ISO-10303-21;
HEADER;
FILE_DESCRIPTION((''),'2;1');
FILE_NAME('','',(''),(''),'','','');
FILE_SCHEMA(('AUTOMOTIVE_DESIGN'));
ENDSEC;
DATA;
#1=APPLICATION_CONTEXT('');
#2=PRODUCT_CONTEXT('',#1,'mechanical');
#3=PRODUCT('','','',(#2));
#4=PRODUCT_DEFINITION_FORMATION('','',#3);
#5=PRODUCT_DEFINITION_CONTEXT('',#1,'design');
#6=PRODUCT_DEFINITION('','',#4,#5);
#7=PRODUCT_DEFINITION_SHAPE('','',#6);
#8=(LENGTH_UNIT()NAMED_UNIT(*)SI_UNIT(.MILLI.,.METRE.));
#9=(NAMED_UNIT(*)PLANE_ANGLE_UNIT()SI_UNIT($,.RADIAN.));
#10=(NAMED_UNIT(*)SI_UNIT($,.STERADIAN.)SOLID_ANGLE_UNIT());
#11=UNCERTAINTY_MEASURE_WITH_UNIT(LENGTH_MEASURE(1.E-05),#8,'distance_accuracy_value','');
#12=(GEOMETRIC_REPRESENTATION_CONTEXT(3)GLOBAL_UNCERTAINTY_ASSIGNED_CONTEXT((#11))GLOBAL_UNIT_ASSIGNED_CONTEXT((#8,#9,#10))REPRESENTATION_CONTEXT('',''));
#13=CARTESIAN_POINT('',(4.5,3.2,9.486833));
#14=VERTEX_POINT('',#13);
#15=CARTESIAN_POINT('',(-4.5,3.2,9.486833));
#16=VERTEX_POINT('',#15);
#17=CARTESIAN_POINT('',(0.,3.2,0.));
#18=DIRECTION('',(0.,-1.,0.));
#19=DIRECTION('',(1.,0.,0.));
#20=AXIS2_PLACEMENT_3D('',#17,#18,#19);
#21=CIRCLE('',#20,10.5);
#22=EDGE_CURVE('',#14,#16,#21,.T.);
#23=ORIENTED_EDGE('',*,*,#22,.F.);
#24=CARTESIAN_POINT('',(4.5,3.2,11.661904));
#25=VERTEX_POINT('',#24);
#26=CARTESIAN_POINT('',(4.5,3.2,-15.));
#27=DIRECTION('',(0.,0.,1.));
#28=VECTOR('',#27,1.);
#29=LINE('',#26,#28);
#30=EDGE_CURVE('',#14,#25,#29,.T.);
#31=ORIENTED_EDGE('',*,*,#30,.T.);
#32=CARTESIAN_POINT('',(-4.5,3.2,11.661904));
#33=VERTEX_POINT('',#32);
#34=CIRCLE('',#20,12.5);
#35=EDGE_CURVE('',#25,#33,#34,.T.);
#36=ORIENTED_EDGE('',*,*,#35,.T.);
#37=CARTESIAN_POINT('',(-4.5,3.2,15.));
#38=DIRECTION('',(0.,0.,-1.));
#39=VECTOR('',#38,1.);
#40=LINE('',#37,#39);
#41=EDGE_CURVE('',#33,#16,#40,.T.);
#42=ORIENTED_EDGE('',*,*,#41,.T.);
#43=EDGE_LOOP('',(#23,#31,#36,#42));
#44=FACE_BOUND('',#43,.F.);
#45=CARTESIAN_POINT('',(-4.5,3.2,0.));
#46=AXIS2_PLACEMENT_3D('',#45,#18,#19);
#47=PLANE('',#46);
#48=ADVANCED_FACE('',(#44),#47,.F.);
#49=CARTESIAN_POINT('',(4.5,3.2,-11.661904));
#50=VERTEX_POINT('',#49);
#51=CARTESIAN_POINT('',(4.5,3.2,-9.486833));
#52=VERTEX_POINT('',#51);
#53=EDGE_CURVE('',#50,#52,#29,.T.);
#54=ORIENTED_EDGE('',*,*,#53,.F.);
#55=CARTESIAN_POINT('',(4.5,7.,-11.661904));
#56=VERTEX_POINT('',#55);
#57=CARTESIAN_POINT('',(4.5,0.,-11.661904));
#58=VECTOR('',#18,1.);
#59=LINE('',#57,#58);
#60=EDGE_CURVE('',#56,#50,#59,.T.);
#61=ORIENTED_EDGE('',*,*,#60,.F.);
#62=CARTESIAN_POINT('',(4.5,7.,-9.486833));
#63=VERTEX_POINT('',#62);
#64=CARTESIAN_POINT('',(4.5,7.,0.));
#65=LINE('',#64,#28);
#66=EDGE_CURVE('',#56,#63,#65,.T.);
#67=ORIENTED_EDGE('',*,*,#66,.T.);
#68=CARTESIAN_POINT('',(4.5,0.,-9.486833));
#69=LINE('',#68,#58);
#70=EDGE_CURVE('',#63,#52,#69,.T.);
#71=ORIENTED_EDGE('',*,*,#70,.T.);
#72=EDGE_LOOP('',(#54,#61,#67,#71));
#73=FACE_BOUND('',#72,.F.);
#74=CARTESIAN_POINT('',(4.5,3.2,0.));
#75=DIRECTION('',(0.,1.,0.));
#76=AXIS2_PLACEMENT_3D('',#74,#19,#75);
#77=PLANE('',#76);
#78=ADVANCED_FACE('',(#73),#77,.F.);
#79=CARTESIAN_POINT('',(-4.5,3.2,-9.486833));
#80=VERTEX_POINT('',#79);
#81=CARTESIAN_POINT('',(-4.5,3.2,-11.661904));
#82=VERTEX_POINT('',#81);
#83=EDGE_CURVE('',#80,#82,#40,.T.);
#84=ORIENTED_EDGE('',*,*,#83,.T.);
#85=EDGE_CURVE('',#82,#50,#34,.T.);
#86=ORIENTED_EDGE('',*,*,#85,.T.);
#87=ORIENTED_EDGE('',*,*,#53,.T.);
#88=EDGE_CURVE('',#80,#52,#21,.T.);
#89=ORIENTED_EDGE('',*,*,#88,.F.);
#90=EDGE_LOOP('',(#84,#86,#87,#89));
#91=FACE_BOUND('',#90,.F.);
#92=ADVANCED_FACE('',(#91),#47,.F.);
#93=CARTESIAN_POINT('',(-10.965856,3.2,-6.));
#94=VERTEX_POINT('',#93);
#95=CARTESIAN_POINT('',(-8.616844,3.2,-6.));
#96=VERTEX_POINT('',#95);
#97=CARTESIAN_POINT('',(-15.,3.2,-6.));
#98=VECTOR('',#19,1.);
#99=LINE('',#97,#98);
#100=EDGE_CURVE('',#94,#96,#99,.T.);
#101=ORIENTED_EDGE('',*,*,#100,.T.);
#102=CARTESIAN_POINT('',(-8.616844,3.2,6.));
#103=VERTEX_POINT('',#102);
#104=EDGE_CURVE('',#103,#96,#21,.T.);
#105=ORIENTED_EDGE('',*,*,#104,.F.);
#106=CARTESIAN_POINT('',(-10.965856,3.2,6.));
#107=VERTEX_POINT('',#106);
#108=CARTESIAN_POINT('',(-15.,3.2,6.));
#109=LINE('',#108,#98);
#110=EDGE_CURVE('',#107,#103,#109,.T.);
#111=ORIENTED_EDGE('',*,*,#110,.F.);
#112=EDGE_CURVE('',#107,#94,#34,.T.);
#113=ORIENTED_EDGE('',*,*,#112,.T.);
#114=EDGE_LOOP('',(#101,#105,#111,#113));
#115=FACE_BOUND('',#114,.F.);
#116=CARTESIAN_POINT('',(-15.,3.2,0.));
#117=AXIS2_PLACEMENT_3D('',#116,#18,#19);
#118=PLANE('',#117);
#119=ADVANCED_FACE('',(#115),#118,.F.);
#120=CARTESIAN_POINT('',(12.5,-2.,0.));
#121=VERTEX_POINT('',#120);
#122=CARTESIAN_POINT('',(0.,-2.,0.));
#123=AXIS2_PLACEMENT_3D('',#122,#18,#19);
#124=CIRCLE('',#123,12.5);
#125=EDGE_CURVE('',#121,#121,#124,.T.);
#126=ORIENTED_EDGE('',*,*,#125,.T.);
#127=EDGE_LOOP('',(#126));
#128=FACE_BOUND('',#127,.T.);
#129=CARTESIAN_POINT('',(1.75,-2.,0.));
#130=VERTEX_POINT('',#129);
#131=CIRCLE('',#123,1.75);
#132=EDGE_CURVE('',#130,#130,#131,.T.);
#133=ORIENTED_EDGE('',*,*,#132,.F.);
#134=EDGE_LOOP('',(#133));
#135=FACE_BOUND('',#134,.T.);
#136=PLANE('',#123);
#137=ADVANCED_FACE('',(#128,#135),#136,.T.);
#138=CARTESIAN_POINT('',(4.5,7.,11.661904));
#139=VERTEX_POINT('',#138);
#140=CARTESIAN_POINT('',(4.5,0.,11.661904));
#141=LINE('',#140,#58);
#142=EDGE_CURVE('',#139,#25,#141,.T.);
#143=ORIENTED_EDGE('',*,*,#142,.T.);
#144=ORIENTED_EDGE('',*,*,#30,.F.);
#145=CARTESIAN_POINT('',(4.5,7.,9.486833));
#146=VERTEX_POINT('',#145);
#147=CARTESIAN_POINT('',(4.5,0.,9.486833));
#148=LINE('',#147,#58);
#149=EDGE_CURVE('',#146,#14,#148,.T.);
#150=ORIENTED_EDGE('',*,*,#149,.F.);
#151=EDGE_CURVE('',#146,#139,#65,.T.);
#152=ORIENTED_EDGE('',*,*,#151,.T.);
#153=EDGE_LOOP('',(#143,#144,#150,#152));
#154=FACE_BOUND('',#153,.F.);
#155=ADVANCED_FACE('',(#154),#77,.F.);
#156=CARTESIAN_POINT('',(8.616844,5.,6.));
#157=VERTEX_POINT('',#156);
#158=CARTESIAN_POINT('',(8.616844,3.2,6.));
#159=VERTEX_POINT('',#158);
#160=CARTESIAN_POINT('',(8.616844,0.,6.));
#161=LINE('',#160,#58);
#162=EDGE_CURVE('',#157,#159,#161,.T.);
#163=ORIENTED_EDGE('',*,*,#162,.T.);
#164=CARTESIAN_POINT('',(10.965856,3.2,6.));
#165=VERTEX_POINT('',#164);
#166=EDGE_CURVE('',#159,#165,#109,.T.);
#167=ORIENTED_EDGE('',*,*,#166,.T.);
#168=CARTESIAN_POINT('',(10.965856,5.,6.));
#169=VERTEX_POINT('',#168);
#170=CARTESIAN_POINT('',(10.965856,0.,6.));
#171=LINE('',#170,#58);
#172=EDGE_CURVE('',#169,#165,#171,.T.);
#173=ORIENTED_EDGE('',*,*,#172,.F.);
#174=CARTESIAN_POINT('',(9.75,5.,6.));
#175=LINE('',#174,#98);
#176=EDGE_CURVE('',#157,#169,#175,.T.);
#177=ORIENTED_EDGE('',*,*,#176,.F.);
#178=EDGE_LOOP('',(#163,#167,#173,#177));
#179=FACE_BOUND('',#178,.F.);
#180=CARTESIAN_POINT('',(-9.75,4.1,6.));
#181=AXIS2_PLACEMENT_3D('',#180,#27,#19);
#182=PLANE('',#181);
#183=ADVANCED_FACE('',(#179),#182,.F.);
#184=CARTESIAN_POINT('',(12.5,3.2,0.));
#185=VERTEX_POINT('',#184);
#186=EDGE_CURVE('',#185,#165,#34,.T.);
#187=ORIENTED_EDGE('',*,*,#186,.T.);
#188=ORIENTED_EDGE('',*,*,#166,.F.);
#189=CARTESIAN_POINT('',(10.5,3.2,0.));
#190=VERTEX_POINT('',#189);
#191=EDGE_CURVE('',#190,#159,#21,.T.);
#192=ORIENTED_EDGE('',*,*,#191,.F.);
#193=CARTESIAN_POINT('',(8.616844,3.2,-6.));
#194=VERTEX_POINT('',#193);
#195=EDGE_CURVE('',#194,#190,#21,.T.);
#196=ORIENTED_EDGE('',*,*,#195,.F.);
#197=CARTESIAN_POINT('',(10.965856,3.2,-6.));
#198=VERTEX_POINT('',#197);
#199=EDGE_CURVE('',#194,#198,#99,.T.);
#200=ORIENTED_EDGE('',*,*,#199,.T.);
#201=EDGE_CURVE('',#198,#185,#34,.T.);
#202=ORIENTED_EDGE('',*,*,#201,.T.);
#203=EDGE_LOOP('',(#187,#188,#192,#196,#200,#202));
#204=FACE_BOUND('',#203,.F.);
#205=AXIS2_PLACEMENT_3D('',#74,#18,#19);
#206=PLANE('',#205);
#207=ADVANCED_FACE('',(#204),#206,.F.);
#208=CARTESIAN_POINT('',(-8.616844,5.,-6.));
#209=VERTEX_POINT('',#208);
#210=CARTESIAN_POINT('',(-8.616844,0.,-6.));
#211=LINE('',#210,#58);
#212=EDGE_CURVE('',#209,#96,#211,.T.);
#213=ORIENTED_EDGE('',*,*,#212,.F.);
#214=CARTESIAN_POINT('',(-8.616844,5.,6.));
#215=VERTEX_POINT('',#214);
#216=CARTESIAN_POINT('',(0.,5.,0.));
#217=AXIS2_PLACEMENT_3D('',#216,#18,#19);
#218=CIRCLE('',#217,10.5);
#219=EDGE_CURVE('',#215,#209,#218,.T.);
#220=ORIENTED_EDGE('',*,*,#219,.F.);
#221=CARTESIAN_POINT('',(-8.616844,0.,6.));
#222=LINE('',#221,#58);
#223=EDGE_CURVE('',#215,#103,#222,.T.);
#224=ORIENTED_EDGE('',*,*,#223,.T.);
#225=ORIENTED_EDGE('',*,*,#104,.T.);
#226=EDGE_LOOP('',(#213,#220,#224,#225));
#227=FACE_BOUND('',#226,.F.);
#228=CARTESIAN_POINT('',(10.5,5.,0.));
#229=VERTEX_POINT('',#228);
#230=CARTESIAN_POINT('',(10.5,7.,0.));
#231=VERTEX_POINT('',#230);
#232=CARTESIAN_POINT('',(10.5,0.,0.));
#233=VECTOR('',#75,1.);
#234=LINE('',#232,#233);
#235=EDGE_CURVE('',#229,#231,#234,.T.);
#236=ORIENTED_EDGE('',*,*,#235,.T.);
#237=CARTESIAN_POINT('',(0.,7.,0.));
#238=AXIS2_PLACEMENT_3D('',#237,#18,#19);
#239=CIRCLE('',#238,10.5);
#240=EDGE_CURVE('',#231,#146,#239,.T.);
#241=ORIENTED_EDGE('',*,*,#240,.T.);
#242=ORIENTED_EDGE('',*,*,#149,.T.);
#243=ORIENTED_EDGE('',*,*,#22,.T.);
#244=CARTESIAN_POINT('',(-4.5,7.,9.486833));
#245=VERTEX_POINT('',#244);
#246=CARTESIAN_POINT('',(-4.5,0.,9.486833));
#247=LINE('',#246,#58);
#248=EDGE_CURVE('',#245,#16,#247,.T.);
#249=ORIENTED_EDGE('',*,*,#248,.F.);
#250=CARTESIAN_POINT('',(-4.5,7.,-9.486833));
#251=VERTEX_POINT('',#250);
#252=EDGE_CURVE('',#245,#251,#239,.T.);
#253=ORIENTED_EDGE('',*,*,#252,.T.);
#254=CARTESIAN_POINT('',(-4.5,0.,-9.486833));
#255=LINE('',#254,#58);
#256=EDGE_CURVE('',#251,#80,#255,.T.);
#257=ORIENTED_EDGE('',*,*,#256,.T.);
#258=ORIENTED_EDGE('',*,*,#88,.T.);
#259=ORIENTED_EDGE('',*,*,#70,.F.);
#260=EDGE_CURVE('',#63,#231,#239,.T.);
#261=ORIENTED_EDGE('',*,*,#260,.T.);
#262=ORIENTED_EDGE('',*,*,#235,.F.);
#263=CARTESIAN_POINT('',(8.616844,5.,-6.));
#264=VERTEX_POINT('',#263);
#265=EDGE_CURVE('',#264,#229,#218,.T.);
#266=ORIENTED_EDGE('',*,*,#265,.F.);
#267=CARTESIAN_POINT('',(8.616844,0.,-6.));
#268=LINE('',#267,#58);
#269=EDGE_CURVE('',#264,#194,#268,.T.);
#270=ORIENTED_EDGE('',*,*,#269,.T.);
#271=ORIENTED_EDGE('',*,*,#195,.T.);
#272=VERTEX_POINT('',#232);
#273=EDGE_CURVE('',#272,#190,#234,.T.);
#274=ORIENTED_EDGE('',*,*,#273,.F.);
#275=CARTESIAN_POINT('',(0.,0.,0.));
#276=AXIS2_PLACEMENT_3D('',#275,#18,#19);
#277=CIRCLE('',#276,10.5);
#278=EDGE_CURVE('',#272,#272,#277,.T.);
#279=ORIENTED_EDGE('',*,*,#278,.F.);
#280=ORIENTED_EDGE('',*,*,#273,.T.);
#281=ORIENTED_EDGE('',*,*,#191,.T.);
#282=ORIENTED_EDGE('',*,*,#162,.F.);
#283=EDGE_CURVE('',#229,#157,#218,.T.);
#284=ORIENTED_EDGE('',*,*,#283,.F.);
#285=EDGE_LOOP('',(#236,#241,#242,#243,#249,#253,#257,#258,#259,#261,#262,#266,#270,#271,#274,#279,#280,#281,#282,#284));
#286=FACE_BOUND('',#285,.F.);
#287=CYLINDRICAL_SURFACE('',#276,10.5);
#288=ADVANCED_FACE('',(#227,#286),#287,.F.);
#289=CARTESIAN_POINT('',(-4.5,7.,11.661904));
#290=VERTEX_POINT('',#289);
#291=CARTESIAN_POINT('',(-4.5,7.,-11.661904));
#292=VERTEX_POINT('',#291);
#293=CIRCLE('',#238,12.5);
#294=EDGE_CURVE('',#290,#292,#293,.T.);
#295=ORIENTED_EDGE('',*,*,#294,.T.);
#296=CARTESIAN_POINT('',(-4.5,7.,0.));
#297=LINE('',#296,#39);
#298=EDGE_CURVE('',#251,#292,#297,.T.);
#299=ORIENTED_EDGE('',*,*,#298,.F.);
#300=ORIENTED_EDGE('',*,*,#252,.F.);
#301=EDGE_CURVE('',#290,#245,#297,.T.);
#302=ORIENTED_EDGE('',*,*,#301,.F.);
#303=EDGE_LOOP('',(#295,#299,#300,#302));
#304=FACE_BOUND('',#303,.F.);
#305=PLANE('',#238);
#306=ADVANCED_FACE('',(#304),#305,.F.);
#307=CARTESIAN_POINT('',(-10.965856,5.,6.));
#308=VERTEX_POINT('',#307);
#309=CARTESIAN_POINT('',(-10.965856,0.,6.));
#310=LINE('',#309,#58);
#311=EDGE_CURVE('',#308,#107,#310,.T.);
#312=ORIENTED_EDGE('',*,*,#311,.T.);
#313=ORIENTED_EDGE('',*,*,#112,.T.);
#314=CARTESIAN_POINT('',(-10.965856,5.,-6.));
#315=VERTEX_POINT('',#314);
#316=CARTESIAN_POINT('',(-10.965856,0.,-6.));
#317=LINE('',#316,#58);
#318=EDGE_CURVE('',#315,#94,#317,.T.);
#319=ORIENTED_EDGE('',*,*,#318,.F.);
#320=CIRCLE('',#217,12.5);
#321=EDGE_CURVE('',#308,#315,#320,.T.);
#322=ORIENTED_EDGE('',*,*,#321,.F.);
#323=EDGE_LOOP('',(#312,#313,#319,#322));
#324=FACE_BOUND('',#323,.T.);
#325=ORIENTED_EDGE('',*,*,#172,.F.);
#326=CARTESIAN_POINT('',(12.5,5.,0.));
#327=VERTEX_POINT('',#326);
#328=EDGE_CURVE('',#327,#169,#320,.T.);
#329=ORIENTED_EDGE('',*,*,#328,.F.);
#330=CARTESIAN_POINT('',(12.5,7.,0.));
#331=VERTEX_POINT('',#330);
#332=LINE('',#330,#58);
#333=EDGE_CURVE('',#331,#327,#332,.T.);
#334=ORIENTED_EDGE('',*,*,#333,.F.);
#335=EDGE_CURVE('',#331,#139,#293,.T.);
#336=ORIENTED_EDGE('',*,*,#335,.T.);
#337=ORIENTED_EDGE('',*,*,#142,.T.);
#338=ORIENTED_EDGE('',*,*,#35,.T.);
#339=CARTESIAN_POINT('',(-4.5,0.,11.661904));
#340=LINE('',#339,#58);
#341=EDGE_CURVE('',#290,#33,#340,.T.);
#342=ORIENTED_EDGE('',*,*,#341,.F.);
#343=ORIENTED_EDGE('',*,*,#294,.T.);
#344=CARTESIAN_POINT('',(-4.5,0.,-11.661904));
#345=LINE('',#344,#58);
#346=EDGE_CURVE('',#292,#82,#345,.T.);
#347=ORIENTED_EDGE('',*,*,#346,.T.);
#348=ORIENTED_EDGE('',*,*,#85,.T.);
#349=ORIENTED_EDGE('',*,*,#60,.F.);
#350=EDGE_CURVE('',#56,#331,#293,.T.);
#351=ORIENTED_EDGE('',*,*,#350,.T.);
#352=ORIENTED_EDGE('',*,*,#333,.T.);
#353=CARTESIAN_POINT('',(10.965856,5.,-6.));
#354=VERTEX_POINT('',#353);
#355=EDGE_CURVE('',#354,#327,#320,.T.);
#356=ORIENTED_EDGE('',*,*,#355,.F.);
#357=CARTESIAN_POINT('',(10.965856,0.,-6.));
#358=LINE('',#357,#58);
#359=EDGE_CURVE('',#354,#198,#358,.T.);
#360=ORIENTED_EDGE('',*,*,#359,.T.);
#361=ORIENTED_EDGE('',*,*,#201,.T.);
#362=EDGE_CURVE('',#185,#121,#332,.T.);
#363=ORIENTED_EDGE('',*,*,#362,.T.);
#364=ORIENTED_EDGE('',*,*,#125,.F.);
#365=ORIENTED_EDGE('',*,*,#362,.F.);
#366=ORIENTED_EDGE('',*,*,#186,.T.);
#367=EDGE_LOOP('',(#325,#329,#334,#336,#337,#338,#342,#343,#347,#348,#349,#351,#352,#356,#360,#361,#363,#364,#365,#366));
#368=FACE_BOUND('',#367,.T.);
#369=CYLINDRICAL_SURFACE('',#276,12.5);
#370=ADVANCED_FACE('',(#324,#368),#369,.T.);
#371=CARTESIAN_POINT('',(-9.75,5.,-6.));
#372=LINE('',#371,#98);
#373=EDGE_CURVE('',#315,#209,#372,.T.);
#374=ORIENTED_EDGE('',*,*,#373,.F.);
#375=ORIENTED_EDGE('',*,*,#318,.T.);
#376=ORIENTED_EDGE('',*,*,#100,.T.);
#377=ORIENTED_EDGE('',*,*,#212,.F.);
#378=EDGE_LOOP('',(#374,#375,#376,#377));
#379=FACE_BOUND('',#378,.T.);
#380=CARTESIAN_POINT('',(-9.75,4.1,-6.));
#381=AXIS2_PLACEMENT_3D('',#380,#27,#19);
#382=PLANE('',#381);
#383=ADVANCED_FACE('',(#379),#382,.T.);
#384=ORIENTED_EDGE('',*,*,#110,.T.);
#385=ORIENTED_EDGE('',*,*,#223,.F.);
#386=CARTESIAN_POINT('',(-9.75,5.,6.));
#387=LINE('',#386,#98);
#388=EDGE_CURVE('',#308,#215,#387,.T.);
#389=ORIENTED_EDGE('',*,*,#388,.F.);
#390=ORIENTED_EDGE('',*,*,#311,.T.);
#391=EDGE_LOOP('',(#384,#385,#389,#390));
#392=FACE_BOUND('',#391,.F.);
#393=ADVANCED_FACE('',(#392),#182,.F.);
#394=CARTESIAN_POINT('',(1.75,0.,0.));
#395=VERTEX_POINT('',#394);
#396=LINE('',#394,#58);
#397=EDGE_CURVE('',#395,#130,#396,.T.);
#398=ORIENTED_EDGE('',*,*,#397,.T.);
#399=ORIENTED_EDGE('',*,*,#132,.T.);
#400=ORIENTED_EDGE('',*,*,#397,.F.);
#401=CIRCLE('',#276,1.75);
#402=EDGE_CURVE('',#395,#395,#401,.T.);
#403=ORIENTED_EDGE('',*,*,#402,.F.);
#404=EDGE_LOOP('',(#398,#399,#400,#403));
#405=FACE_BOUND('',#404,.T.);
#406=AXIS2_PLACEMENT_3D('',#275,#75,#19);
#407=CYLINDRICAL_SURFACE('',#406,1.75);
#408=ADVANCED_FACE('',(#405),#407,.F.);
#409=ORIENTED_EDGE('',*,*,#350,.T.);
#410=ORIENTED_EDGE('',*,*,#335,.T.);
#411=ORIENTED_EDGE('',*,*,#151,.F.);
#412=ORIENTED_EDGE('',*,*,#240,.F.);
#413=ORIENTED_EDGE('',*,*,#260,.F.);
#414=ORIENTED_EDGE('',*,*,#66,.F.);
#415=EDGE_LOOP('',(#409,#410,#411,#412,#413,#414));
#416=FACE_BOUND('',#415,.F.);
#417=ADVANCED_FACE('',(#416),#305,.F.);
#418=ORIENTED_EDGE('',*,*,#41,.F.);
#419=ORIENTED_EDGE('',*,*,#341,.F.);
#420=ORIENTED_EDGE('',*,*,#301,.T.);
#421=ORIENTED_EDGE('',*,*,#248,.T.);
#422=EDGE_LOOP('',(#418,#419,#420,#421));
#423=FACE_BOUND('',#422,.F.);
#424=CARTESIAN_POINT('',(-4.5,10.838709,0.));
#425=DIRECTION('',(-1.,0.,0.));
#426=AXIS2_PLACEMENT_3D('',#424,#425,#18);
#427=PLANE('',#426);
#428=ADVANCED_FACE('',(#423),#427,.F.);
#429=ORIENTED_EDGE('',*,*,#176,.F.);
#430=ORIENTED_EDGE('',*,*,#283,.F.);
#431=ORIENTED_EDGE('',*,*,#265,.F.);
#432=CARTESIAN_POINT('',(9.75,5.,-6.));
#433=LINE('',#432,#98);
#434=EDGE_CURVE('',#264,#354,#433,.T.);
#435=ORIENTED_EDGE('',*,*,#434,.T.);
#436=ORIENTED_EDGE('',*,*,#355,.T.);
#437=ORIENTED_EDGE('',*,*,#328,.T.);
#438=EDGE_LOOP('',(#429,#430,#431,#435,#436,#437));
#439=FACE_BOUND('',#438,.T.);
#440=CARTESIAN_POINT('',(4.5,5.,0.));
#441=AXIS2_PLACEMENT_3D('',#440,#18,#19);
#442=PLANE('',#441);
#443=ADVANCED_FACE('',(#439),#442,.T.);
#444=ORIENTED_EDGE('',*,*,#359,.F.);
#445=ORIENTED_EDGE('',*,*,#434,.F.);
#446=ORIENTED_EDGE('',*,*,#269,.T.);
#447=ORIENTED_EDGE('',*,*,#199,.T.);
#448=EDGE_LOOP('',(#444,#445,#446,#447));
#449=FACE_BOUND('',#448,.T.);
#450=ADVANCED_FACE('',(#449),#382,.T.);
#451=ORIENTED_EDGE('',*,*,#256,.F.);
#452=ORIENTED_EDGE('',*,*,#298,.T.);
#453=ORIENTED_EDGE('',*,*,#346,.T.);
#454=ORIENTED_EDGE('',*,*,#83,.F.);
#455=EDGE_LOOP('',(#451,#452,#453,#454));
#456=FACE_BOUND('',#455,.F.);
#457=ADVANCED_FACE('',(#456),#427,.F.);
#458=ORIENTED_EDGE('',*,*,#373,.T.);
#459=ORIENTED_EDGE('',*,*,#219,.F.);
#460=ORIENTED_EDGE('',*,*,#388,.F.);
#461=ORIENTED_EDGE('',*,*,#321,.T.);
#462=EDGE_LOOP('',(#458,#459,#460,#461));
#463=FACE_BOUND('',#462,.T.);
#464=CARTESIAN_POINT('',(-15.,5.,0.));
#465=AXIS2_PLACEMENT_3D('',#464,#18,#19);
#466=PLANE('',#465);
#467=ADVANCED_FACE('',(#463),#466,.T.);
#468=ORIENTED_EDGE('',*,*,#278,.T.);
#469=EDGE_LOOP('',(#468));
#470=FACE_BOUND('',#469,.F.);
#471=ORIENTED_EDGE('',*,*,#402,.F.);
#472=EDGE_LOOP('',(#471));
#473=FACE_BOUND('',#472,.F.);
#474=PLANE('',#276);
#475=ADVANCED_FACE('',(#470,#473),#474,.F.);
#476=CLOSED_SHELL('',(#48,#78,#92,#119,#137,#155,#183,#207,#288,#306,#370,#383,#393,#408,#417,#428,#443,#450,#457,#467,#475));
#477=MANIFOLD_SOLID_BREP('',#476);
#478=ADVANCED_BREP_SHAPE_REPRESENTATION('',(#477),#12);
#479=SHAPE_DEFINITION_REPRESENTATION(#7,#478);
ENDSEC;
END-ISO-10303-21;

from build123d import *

# Parameters (mm, degrees)
F0_R     = 12.5
F0_R_2   = 10.5
F0_R_3   = 1.75
F1_DEPTH = 2
F2_DEPTH = 7
F3_W     = 9
F3_H     = 1.8
F3_H_2   = 5.8387092426
F4_DEPTH = 15
F3_W_2   = 10.5
F3_H_3   = 0.2
F5_DEPTH = 6


with BuildPart() as f1:
    # F0 (on Front) → F1 (new body)
    with BuildSketch(Plane.XZ):
        Circle(F0_R)
        Circle(F0_R_2, mode=Mode.SUBTRACT)
        Circle(F0_R_2)
        Circle(F0_R_3, mode=Mode.SUBTRACT)
    extrude(amount=F1_DEPTH)

    # F0 (on Front) → F2 (join)
    with BuildSketch(Plane.XZ):
        Circle(F0_R)
        Circle(F0_R_2, mode=Mode.SUBTRACT)
    extrude(amount=-F2_DEPTH)

    # F3 (on Top) → F4 (cut, symmetric)
    with BuildSketch(Plane.XY):
        with Locations((0, 4.1)):
            Rectangle(F3_W, F3_H)
        with Locations((0, 7.9193546213)):
            Rectangle(F3_W, F3_H_2)
    extrude(amount=F4_DEPTH, both=True, mode=Mode.SUBTRACT)

    # F3 (on Top) → F5 (cut, symmetric)
    with BuildSketch(Plane.XY):
        with Locations((-9.75, 4.1)):
            Rectangle(F3_W_2, F3_H)
        with Locations((0, 7.9193546213)):
            Rectangle(F3_W, F3_H_2)
        with Locations((0, 4.1)):
            Rectangle(F3_W, F3_H)
        with Locations((9.75, 4.1)):
            Rectangle(F3_W_2, F3_H)
        with Locations((0, 3.1)):
            Rectangle(F3_W, F3_H_3)
    extrude(amount=F5_DEPTH, both=True, mode=Mode.SUBTRACT)


solid = f1.part
